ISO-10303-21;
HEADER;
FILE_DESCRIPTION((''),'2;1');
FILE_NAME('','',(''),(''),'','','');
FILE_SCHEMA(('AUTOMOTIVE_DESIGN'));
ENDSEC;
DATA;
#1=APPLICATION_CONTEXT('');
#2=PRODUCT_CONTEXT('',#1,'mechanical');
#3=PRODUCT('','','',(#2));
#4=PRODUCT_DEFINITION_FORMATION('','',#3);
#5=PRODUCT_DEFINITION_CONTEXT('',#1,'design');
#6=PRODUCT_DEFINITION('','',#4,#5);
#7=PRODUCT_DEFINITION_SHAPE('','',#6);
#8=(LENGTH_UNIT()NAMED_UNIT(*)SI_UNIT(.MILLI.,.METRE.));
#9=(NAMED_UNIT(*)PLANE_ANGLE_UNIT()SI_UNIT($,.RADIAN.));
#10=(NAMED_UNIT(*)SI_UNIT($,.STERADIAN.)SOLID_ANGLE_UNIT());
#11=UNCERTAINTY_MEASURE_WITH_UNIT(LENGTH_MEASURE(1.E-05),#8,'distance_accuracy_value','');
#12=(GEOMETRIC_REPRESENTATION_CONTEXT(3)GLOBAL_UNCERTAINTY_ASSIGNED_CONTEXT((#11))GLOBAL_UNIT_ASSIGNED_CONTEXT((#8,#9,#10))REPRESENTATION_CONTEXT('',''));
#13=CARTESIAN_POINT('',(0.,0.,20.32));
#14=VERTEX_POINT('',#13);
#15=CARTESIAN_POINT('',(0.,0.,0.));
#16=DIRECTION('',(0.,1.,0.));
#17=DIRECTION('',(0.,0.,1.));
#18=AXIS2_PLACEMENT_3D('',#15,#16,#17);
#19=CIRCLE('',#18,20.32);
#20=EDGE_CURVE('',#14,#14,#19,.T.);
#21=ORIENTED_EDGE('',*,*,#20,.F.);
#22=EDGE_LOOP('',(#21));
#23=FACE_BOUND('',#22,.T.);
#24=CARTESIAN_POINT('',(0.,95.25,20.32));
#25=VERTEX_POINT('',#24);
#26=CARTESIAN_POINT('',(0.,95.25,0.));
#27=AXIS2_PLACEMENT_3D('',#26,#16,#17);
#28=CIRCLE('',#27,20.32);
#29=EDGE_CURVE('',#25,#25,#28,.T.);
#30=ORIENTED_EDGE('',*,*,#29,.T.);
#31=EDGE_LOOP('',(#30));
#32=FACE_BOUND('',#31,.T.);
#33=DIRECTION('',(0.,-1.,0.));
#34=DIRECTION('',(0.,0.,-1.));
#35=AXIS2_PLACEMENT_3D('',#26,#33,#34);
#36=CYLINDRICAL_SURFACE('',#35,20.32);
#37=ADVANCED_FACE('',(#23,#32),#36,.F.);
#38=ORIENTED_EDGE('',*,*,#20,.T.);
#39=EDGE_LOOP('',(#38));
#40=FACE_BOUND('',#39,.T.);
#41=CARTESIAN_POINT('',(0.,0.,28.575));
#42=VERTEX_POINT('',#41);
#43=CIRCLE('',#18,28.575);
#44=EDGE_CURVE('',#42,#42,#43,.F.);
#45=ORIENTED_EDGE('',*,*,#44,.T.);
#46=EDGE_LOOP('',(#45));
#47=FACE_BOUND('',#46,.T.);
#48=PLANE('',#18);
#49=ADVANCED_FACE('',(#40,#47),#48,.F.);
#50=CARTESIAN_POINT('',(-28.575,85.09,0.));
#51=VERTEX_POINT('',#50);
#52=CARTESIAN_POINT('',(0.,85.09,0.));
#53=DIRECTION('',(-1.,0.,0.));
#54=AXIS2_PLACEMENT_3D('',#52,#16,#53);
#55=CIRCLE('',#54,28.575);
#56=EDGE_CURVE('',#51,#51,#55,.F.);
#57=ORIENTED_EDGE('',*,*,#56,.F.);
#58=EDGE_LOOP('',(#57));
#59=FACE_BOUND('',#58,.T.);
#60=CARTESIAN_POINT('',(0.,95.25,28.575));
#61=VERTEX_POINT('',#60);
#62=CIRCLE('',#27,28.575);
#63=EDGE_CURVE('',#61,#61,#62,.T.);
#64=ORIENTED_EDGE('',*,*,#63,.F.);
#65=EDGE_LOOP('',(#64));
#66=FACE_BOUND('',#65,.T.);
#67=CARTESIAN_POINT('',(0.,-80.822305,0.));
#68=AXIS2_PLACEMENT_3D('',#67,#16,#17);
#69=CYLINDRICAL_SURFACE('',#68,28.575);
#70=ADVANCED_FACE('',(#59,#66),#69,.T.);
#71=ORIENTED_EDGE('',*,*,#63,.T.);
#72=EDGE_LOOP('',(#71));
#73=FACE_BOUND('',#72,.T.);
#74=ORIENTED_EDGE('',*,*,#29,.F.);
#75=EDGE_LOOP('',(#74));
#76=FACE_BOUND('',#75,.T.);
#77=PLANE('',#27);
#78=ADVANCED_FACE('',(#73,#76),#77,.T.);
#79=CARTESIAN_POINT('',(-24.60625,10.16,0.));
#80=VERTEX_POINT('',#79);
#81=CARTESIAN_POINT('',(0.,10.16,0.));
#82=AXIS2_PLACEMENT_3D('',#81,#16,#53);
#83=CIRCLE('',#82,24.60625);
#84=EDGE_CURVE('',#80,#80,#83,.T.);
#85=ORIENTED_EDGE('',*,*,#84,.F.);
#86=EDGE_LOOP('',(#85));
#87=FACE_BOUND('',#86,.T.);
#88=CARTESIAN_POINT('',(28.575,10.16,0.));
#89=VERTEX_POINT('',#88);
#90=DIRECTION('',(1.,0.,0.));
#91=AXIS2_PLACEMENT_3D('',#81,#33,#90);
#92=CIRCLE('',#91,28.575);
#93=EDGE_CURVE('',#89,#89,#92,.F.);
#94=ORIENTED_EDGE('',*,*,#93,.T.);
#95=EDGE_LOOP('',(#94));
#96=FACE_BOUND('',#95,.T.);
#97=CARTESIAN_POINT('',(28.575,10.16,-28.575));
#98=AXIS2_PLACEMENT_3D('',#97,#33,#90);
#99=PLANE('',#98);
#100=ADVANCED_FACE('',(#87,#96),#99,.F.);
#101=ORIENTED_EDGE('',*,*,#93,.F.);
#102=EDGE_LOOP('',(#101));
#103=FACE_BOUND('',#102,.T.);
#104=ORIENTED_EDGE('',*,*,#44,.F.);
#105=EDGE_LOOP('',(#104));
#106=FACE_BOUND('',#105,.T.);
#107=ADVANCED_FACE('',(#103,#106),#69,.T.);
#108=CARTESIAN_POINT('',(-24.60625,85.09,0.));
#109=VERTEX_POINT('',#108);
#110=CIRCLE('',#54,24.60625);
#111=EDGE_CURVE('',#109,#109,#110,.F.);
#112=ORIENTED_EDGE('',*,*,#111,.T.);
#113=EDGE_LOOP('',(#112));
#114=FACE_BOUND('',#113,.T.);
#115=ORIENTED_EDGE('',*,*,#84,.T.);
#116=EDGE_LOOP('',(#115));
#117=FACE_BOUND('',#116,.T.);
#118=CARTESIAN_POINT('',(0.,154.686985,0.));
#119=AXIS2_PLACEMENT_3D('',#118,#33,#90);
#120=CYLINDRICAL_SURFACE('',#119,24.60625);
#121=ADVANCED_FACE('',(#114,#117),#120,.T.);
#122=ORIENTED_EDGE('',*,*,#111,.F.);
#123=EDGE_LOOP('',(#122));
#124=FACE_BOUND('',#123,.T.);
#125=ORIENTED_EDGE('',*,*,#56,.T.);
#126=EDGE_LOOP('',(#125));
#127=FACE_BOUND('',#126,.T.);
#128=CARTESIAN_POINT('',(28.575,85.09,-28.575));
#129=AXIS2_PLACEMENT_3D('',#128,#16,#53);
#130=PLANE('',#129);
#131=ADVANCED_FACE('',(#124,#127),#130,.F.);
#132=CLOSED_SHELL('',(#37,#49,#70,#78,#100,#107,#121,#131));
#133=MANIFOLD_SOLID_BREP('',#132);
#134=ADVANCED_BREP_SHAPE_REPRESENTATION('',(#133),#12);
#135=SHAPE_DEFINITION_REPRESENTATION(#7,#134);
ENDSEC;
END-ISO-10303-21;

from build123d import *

# Parameters (mm, degrees)
SKETCH1_R               = 24.60625
SKETCH1_R_2             = 20.32
BOSS_EXTRUDE1_DEPTH     = 95.25
SKETCH2_R               = 28.575
SKETCH2_R_2             = 24.60625
BOSS_EXTRUDE2_DEPTH     = 95.25
SKETCH3_W               = 57.15
SKETCH3_H               = 74.93
CUT_EXTRUDE1_DEPTH      = 29.575
CUT_EXTRUDE1_DEPTH_BACK = 29.575
SKETCH4_R               = 24.60625
SKETCH4_R_2             = 20.32
BOSS_EXTRUDE3_DEPTH     = 74.93


with BuildPart() as part:
    # Sketch1 → Boss-Extrude1 (new body)
    with BuildSketch(Plane(origin=(0, 0, 0), x_dir=(1, 0, 0), z_dir=(0, 1, 0))):
        Circle(SKETCH1_R)
        Circle(SKETCH1_R_2, mode=Mode.SUBTRACT)
    extrude(amount=BOSS_EXTRUDE1_DEPTH)

    # Sketch2 → Boss-Extrude2 (add)
    with BuildSketch(Plane(origin=(0, 95.25, 0), x_dir=(1, 0, 0), z_dir=(0, 1, 0))):
        Circle(SKETCH2_R)
        Circle(SKETCH2_R_2, mode=Mode.SUBTRACT)
    extrude(amount=-BOSS_EXTRUDE2_DEPTH)

    # Sketch3 → Cut-Extrude1 (cut, two sides)
    with BuildSketch(Plane.XY) as cut_extrude1_sk:
        with Locations((0, 47.625)):
            Rectangle(SKETCH3_W, SKETCH3_H)
    extrude(amount=CUT_EXTRUDE1_DEPTH, mode=Mode.SUBTRACT)
    extrude(cut_extrude1_sk.sketch, amount=-CUT_EXTRUDE1_DEPTH_BACK, mode=Mode.SUBTRACT)

    # Sketch4 → Boss-Extrude3 (add)
    with BuildSketch(Plane(origin=(0, 10.16, 0), x_dir=(1, 0, 0), z_dir=(0, 1, 0))):
        Circle(SKETCH4_R)
        Circle(SKETCH4_R_2, mode=Mode.SUBTRACT)
    extrude(amount=BOSS_EXTRUDE3_DEPTH)


solid = part.part
